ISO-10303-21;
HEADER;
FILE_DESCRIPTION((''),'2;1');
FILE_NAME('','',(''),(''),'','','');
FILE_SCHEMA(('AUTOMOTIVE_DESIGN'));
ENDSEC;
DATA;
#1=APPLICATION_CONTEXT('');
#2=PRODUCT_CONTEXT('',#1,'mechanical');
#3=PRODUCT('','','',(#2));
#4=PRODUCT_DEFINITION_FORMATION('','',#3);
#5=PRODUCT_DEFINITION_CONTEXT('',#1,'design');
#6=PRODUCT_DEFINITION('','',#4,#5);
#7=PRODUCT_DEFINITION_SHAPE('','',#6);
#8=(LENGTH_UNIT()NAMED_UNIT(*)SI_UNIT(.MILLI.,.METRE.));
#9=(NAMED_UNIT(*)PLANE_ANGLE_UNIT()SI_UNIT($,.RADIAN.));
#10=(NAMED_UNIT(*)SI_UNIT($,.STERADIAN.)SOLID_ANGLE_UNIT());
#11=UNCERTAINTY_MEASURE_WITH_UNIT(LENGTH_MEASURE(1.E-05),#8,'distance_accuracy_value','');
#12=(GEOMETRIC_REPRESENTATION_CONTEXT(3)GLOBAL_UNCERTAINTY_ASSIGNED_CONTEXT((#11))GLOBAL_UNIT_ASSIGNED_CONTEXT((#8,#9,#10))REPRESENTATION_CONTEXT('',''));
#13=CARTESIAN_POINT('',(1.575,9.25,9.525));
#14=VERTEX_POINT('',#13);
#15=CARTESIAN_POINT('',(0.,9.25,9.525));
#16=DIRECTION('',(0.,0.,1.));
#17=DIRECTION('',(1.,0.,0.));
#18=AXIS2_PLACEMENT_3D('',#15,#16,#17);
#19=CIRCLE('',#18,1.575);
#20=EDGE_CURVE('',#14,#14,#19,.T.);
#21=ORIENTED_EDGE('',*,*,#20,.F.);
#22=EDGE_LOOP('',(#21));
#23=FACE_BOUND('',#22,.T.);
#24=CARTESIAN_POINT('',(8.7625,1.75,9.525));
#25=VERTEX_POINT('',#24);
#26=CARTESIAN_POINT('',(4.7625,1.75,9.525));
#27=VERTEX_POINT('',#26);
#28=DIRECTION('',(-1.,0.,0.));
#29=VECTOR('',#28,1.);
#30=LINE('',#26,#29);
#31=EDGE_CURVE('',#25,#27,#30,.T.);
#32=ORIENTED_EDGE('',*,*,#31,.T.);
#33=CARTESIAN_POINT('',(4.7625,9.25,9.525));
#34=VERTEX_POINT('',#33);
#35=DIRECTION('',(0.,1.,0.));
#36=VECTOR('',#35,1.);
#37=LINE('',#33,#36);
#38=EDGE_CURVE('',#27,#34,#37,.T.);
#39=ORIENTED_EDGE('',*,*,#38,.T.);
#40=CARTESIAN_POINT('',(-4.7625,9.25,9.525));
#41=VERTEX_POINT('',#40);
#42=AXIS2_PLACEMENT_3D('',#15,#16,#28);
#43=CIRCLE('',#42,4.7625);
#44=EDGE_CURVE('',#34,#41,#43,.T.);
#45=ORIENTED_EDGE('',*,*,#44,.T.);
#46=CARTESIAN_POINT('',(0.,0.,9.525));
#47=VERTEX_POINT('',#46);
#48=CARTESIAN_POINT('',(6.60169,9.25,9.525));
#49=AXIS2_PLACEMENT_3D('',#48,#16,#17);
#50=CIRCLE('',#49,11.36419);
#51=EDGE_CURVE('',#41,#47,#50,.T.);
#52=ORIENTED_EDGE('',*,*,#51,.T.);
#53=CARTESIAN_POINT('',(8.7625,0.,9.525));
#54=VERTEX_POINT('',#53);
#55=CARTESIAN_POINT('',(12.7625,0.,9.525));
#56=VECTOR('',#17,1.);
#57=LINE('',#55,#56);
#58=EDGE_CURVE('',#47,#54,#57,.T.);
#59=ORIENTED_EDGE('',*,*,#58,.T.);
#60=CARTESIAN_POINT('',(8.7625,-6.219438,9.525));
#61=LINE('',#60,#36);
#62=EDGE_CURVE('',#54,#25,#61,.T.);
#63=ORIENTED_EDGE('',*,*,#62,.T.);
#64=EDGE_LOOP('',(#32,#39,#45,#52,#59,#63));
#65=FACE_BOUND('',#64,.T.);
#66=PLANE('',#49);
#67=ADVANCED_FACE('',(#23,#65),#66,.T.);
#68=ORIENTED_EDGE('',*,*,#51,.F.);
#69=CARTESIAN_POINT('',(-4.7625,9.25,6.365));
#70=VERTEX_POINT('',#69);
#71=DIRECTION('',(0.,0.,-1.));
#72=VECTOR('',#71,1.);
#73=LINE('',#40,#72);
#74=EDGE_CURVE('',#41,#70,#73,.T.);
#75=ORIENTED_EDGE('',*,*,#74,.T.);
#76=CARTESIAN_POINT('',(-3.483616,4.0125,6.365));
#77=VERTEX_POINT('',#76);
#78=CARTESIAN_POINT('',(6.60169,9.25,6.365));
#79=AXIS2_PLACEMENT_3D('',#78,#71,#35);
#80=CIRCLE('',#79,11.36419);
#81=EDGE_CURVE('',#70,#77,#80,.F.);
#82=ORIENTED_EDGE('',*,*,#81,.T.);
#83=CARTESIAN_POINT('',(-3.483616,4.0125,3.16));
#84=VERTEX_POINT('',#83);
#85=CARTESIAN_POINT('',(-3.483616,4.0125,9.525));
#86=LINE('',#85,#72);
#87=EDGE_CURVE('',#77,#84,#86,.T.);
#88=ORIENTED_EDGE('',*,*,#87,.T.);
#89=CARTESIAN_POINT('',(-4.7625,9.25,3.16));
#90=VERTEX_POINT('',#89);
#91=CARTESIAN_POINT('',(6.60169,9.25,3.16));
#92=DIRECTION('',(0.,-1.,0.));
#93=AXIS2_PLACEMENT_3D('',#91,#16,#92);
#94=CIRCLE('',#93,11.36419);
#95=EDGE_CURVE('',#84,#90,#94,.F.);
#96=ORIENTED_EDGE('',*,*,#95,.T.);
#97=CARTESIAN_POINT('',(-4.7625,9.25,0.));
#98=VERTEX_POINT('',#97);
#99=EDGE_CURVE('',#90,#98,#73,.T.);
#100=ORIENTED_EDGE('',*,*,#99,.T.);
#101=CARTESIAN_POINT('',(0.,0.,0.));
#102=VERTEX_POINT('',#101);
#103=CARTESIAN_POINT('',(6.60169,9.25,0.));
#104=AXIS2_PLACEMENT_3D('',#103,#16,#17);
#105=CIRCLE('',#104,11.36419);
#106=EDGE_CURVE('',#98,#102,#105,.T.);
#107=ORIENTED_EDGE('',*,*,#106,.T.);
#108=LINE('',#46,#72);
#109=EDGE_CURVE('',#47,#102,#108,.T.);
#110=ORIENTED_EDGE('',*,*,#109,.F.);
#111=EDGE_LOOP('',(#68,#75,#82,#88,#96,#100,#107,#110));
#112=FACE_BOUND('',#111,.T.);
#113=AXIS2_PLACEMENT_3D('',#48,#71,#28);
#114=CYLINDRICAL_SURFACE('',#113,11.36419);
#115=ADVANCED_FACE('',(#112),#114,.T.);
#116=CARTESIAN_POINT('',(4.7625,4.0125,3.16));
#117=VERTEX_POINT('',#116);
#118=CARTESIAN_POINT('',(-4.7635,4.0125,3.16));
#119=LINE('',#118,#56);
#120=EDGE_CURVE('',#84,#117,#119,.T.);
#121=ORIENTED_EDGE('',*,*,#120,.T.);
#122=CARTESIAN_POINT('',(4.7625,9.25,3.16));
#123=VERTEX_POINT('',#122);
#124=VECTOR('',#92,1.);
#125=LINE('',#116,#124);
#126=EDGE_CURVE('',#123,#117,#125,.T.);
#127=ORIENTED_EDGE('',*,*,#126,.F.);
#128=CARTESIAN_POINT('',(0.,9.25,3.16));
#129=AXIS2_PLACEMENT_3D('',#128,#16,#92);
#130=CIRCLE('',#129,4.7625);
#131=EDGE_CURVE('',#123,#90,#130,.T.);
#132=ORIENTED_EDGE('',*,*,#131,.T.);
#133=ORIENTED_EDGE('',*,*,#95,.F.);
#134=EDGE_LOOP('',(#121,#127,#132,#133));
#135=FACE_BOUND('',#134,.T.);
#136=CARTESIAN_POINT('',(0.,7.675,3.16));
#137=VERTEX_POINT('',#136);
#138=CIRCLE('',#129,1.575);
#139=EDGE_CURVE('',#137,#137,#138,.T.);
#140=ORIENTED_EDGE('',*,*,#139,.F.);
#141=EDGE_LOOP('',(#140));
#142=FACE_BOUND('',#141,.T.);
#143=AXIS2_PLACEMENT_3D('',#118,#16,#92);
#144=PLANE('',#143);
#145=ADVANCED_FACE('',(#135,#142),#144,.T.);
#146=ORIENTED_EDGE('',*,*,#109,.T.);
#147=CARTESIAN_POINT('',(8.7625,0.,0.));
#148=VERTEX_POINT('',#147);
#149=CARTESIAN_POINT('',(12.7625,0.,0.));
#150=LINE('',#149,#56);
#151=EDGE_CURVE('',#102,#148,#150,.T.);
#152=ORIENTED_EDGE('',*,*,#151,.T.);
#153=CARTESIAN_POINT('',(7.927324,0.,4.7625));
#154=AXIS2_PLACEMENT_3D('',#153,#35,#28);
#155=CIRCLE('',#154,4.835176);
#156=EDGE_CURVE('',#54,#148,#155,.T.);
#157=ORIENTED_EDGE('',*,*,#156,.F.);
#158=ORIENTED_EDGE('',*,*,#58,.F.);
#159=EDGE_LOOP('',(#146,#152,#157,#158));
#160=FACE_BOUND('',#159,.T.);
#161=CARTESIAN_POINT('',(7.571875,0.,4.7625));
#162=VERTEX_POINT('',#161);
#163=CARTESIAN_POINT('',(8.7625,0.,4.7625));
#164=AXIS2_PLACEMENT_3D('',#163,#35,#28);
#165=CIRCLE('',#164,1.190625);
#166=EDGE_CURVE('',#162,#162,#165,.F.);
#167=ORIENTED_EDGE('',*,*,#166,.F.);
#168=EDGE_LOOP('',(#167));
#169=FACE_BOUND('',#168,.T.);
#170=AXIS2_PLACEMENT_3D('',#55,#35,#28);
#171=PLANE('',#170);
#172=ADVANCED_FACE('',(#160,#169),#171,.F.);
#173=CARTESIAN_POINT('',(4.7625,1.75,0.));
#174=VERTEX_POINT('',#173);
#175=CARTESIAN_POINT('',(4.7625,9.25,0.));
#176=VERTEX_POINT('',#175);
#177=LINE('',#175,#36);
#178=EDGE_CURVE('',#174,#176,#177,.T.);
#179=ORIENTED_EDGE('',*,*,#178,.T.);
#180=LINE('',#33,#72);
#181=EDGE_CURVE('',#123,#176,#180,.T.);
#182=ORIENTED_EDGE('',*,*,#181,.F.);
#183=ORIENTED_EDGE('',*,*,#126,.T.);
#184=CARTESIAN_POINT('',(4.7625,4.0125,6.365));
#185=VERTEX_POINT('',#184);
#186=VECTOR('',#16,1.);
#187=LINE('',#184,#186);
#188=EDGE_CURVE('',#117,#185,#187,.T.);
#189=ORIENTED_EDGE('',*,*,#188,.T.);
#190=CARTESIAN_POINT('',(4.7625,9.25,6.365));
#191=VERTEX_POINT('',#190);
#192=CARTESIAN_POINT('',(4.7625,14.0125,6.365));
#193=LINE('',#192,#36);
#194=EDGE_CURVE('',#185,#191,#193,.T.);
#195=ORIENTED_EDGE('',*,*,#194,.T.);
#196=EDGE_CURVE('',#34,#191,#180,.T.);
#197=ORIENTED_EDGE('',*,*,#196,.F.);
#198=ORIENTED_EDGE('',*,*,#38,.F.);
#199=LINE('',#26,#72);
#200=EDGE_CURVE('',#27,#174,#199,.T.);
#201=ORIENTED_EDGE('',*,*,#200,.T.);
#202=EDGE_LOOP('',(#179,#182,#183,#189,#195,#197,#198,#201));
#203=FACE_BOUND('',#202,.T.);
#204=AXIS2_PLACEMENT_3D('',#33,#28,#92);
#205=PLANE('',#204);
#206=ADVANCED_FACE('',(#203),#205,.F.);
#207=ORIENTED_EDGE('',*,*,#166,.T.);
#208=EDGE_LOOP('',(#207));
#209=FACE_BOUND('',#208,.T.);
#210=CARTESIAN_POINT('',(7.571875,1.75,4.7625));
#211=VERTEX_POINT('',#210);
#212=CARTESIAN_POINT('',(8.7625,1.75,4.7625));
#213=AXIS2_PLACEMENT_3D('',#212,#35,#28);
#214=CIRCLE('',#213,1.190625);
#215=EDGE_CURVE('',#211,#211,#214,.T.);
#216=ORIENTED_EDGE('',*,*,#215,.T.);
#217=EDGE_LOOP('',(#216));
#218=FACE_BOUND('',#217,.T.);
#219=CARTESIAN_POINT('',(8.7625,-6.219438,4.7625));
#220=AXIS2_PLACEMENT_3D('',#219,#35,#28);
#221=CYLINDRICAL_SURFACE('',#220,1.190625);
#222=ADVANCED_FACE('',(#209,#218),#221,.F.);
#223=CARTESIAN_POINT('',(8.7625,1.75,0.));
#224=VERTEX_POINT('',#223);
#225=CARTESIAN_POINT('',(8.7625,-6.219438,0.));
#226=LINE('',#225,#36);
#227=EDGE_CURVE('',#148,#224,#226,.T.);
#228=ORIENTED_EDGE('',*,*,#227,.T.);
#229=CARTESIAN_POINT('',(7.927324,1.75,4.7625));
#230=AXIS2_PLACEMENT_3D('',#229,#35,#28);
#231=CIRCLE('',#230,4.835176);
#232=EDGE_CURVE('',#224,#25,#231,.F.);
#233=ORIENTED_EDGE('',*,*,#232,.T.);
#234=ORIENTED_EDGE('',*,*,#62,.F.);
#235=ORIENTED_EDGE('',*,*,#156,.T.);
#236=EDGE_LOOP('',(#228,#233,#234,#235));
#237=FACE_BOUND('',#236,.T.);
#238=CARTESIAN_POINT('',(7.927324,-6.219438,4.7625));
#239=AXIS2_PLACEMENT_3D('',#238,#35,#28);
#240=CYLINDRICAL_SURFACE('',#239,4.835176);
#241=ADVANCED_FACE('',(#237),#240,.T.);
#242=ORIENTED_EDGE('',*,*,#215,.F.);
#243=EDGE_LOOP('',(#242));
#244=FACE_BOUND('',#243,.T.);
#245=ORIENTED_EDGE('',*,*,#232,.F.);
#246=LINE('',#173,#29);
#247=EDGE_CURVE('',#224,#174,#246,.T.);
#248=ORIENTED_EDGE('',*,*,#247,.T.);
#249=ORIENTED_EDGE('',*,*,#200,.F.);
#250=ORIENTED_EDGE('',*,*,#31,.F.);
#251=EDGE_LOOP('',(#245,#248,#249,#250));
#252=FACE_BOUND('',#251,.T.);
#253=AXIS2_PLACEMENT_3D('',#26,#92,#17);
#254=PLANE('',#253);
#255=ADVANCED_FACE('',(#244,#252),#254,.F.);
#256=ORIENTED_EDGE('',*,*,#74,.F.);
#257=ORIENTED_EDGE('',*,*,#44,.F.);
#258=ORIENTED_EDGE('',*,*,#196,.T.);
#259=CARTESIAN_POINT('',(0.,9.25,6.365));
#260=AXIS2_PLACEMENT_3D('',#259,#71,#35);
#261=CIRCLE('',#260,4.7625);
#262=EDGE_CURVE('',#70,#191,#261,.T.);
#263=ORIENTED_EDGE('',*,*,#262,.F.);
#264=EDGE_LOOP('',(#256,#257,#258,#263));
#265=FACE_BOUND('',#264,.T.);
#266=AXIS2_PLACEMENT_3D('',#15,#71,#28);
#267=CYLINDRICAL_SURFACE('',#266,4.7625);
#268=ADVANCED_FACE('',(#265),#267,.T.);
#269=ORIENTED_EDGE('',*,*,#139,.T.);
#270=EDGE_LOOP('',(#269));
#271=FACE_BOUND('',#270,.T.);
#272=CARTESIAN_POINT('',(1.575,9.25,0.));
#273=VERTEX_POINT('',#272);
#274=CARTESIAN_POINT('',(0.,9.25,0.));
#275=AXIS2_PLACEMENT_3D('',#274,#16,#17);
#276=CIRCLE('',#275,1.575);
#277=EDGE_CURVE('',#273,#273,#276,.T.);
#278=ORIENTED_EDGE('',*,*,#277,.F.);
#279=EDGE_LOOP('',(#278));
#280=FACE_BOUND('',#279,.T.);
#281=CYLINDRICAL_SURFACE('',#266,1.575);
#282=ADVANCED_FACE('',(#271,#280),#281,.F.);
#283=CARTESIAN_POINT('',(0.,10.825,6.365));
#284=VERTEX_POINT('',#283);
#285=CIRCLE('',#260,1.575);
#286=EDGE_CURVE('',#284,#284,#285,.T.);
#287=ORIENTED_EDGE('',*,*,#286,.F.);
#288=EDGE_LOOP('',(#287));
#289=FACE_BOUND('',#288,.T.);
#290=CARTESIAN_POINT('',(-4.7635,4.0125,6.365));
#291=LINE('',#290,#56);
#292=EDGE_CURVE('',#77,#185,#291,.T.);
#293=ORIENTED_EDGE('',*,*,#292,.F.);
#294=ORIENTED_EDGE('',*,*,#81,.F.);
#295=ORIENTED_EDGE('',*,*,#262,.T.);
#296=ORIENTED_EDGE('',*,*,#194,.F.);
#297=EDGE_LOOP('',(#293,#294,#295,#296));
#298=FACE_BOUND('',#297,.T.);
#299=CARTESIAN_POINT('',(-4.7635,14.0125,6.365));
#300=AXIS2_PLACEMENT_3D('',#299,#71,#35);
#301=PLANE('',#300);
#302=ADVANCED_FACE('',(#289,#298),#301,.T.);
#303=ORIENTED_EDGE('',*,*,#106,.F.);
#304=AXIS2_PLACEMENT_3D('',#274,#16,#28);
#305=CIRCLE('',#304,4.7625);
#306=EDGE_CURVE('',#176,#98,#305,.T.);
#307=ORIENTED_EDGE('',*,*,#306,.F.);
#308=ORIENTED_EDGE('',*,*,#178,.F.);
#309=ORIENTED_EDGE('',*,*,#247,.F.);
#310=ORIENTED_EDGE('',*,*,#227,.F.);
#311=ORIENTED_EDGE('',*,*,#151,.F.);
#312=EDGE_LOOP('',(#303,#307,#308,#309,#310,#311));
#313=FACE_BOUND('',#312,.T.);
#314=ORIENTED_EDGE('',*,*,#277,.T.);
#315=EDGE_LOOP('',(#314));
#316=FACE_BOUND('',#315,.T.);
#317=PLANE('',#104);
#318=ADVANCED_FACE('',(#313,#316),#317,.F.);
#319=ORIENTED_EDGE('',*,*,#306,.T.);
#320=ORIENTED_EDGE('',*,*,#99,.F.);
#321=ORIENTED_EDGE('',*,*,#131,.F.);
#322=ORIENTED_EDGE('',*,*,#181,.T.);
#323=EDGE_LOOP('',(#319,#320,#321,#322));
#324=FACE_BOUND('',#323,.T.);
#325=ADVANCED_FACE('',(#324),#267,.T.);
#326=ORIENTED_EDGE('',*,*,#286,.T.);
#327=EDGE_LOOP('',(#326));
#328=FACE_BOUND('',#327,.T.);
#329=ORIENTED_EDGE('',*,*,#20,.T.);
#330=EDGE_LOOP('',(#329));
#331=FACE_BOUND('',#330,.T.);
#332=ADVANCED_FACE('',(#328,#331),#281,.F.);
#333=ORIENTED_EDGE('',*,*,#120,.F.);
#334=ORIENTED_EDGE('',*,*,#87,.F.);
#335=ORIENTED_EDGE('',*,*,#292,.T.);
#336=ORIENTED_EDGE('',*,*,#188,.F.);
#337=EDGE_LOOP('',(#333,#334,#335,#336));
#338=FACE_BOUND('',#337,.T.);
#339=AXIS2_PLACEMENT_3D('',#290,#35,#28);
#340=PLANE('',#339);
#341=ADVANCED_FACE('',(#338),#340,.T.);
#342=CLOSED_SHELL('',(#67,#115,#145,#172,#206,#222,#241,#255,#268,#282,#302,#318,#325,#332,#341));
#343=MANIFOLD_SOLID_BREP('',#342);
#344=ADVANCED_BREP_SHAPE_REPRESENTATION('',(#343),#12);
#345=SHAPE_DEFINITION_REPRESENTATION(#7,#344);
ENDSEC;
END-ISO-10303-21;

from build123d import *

# Parameters (mm, degrees)
SKETCH1_R           = 1.575
BOSS_EXTRUDE1_DEPTH = 9.525
CUT_EXTRUDE4_REACH  = 11.525
SKETCH2_W           = 3.205
SKETCH2_H           = 10
SKETCH4_R           = 1.190625
CUT_EXTRUDE5_DEPTH  = 1.75


with BuildPart() as part:
    # Sketch1 → Boss-Extrude1 (new body)
    with BuildSketch(Plane.XY):
        with BuildLine():
            Line((4.7625, 9.25), (4.7625, 1.75))
            Line((4.7625, 1.75), (12.7625, 1.75))
            Line((12.7625, 1.75), (12.7625, 0))
            Line((12.7625, 0), (0, 0))
            ThreePointArc((0, 0), (-3.501964629, 4.047983414), (-4.7625, 9.25))
            ThreePointArc((-4.7625, 9.25), (0, 14.0125), (4.7625, 9.25))
        make_face()
        with Locations((0, 9.25)):
            Circle(SKETCH1_R, mode=Mode.SUBTRACT)
    extrude(amount=BOSS_EXTRUDE1_DEPTH)

    # Sketch2 → Cut-Extrude4 (cut, up to next)
    with BuildSketch(Plane.ZY.offset(-4.7625), mode=Mode.PRIVATE) as cut_extrude4_sk1:
        with Locations((4.7625, 9.0125)):
            Rectangle(SKETCH2_W, SKETCH2_H)
    cut_extrude4_tool1 = extrude(cut_extrude4_sk1.sketch, amount=CUT_EXTRUDE4_REACH, mode=Mode.PRIVATE) & part.part
    add(cut_extrude4_tool1.solids().sort_by_distance((4.7625, 9.0125, 4.7625))[0], mode=Mode.SUBTRACT)

    # Sketch4 → Cut-Extrude5 (cut)
    with BuildSketch(Plane(origin=(0, 1.75, 0), x_dir=(1, 0, 0), z_dir=(0, 1, 0))):
        with BuildLine():
            Line((12.7625, -9.525), (12.7625, -4.7625))
            ThreePointArc((12.7625, -4.7625), (11.62983327, -7.872218888), (8.7625, -9.525))
            Line((8.7625, -9.525), (12.7625, -9.525))
        make_face()
        with BuildLine():
            Line((12.7625, 0), (8.7625, 0))
            ThreePointArc((8.7625, 0), (11.62983327, -1.652781112), (12.7625, -4.7625))
            Line((12.7625, -4.7625), (12.7625, 0))
        make_face()
        with Locations((8.7625, -4.7625)):
            Circle(SKETCH4_R)
    extrude(amount=-CUT_EXTRUDE5_DEPTH, mode=Mode.SUBTRACT)


solid = part.part
